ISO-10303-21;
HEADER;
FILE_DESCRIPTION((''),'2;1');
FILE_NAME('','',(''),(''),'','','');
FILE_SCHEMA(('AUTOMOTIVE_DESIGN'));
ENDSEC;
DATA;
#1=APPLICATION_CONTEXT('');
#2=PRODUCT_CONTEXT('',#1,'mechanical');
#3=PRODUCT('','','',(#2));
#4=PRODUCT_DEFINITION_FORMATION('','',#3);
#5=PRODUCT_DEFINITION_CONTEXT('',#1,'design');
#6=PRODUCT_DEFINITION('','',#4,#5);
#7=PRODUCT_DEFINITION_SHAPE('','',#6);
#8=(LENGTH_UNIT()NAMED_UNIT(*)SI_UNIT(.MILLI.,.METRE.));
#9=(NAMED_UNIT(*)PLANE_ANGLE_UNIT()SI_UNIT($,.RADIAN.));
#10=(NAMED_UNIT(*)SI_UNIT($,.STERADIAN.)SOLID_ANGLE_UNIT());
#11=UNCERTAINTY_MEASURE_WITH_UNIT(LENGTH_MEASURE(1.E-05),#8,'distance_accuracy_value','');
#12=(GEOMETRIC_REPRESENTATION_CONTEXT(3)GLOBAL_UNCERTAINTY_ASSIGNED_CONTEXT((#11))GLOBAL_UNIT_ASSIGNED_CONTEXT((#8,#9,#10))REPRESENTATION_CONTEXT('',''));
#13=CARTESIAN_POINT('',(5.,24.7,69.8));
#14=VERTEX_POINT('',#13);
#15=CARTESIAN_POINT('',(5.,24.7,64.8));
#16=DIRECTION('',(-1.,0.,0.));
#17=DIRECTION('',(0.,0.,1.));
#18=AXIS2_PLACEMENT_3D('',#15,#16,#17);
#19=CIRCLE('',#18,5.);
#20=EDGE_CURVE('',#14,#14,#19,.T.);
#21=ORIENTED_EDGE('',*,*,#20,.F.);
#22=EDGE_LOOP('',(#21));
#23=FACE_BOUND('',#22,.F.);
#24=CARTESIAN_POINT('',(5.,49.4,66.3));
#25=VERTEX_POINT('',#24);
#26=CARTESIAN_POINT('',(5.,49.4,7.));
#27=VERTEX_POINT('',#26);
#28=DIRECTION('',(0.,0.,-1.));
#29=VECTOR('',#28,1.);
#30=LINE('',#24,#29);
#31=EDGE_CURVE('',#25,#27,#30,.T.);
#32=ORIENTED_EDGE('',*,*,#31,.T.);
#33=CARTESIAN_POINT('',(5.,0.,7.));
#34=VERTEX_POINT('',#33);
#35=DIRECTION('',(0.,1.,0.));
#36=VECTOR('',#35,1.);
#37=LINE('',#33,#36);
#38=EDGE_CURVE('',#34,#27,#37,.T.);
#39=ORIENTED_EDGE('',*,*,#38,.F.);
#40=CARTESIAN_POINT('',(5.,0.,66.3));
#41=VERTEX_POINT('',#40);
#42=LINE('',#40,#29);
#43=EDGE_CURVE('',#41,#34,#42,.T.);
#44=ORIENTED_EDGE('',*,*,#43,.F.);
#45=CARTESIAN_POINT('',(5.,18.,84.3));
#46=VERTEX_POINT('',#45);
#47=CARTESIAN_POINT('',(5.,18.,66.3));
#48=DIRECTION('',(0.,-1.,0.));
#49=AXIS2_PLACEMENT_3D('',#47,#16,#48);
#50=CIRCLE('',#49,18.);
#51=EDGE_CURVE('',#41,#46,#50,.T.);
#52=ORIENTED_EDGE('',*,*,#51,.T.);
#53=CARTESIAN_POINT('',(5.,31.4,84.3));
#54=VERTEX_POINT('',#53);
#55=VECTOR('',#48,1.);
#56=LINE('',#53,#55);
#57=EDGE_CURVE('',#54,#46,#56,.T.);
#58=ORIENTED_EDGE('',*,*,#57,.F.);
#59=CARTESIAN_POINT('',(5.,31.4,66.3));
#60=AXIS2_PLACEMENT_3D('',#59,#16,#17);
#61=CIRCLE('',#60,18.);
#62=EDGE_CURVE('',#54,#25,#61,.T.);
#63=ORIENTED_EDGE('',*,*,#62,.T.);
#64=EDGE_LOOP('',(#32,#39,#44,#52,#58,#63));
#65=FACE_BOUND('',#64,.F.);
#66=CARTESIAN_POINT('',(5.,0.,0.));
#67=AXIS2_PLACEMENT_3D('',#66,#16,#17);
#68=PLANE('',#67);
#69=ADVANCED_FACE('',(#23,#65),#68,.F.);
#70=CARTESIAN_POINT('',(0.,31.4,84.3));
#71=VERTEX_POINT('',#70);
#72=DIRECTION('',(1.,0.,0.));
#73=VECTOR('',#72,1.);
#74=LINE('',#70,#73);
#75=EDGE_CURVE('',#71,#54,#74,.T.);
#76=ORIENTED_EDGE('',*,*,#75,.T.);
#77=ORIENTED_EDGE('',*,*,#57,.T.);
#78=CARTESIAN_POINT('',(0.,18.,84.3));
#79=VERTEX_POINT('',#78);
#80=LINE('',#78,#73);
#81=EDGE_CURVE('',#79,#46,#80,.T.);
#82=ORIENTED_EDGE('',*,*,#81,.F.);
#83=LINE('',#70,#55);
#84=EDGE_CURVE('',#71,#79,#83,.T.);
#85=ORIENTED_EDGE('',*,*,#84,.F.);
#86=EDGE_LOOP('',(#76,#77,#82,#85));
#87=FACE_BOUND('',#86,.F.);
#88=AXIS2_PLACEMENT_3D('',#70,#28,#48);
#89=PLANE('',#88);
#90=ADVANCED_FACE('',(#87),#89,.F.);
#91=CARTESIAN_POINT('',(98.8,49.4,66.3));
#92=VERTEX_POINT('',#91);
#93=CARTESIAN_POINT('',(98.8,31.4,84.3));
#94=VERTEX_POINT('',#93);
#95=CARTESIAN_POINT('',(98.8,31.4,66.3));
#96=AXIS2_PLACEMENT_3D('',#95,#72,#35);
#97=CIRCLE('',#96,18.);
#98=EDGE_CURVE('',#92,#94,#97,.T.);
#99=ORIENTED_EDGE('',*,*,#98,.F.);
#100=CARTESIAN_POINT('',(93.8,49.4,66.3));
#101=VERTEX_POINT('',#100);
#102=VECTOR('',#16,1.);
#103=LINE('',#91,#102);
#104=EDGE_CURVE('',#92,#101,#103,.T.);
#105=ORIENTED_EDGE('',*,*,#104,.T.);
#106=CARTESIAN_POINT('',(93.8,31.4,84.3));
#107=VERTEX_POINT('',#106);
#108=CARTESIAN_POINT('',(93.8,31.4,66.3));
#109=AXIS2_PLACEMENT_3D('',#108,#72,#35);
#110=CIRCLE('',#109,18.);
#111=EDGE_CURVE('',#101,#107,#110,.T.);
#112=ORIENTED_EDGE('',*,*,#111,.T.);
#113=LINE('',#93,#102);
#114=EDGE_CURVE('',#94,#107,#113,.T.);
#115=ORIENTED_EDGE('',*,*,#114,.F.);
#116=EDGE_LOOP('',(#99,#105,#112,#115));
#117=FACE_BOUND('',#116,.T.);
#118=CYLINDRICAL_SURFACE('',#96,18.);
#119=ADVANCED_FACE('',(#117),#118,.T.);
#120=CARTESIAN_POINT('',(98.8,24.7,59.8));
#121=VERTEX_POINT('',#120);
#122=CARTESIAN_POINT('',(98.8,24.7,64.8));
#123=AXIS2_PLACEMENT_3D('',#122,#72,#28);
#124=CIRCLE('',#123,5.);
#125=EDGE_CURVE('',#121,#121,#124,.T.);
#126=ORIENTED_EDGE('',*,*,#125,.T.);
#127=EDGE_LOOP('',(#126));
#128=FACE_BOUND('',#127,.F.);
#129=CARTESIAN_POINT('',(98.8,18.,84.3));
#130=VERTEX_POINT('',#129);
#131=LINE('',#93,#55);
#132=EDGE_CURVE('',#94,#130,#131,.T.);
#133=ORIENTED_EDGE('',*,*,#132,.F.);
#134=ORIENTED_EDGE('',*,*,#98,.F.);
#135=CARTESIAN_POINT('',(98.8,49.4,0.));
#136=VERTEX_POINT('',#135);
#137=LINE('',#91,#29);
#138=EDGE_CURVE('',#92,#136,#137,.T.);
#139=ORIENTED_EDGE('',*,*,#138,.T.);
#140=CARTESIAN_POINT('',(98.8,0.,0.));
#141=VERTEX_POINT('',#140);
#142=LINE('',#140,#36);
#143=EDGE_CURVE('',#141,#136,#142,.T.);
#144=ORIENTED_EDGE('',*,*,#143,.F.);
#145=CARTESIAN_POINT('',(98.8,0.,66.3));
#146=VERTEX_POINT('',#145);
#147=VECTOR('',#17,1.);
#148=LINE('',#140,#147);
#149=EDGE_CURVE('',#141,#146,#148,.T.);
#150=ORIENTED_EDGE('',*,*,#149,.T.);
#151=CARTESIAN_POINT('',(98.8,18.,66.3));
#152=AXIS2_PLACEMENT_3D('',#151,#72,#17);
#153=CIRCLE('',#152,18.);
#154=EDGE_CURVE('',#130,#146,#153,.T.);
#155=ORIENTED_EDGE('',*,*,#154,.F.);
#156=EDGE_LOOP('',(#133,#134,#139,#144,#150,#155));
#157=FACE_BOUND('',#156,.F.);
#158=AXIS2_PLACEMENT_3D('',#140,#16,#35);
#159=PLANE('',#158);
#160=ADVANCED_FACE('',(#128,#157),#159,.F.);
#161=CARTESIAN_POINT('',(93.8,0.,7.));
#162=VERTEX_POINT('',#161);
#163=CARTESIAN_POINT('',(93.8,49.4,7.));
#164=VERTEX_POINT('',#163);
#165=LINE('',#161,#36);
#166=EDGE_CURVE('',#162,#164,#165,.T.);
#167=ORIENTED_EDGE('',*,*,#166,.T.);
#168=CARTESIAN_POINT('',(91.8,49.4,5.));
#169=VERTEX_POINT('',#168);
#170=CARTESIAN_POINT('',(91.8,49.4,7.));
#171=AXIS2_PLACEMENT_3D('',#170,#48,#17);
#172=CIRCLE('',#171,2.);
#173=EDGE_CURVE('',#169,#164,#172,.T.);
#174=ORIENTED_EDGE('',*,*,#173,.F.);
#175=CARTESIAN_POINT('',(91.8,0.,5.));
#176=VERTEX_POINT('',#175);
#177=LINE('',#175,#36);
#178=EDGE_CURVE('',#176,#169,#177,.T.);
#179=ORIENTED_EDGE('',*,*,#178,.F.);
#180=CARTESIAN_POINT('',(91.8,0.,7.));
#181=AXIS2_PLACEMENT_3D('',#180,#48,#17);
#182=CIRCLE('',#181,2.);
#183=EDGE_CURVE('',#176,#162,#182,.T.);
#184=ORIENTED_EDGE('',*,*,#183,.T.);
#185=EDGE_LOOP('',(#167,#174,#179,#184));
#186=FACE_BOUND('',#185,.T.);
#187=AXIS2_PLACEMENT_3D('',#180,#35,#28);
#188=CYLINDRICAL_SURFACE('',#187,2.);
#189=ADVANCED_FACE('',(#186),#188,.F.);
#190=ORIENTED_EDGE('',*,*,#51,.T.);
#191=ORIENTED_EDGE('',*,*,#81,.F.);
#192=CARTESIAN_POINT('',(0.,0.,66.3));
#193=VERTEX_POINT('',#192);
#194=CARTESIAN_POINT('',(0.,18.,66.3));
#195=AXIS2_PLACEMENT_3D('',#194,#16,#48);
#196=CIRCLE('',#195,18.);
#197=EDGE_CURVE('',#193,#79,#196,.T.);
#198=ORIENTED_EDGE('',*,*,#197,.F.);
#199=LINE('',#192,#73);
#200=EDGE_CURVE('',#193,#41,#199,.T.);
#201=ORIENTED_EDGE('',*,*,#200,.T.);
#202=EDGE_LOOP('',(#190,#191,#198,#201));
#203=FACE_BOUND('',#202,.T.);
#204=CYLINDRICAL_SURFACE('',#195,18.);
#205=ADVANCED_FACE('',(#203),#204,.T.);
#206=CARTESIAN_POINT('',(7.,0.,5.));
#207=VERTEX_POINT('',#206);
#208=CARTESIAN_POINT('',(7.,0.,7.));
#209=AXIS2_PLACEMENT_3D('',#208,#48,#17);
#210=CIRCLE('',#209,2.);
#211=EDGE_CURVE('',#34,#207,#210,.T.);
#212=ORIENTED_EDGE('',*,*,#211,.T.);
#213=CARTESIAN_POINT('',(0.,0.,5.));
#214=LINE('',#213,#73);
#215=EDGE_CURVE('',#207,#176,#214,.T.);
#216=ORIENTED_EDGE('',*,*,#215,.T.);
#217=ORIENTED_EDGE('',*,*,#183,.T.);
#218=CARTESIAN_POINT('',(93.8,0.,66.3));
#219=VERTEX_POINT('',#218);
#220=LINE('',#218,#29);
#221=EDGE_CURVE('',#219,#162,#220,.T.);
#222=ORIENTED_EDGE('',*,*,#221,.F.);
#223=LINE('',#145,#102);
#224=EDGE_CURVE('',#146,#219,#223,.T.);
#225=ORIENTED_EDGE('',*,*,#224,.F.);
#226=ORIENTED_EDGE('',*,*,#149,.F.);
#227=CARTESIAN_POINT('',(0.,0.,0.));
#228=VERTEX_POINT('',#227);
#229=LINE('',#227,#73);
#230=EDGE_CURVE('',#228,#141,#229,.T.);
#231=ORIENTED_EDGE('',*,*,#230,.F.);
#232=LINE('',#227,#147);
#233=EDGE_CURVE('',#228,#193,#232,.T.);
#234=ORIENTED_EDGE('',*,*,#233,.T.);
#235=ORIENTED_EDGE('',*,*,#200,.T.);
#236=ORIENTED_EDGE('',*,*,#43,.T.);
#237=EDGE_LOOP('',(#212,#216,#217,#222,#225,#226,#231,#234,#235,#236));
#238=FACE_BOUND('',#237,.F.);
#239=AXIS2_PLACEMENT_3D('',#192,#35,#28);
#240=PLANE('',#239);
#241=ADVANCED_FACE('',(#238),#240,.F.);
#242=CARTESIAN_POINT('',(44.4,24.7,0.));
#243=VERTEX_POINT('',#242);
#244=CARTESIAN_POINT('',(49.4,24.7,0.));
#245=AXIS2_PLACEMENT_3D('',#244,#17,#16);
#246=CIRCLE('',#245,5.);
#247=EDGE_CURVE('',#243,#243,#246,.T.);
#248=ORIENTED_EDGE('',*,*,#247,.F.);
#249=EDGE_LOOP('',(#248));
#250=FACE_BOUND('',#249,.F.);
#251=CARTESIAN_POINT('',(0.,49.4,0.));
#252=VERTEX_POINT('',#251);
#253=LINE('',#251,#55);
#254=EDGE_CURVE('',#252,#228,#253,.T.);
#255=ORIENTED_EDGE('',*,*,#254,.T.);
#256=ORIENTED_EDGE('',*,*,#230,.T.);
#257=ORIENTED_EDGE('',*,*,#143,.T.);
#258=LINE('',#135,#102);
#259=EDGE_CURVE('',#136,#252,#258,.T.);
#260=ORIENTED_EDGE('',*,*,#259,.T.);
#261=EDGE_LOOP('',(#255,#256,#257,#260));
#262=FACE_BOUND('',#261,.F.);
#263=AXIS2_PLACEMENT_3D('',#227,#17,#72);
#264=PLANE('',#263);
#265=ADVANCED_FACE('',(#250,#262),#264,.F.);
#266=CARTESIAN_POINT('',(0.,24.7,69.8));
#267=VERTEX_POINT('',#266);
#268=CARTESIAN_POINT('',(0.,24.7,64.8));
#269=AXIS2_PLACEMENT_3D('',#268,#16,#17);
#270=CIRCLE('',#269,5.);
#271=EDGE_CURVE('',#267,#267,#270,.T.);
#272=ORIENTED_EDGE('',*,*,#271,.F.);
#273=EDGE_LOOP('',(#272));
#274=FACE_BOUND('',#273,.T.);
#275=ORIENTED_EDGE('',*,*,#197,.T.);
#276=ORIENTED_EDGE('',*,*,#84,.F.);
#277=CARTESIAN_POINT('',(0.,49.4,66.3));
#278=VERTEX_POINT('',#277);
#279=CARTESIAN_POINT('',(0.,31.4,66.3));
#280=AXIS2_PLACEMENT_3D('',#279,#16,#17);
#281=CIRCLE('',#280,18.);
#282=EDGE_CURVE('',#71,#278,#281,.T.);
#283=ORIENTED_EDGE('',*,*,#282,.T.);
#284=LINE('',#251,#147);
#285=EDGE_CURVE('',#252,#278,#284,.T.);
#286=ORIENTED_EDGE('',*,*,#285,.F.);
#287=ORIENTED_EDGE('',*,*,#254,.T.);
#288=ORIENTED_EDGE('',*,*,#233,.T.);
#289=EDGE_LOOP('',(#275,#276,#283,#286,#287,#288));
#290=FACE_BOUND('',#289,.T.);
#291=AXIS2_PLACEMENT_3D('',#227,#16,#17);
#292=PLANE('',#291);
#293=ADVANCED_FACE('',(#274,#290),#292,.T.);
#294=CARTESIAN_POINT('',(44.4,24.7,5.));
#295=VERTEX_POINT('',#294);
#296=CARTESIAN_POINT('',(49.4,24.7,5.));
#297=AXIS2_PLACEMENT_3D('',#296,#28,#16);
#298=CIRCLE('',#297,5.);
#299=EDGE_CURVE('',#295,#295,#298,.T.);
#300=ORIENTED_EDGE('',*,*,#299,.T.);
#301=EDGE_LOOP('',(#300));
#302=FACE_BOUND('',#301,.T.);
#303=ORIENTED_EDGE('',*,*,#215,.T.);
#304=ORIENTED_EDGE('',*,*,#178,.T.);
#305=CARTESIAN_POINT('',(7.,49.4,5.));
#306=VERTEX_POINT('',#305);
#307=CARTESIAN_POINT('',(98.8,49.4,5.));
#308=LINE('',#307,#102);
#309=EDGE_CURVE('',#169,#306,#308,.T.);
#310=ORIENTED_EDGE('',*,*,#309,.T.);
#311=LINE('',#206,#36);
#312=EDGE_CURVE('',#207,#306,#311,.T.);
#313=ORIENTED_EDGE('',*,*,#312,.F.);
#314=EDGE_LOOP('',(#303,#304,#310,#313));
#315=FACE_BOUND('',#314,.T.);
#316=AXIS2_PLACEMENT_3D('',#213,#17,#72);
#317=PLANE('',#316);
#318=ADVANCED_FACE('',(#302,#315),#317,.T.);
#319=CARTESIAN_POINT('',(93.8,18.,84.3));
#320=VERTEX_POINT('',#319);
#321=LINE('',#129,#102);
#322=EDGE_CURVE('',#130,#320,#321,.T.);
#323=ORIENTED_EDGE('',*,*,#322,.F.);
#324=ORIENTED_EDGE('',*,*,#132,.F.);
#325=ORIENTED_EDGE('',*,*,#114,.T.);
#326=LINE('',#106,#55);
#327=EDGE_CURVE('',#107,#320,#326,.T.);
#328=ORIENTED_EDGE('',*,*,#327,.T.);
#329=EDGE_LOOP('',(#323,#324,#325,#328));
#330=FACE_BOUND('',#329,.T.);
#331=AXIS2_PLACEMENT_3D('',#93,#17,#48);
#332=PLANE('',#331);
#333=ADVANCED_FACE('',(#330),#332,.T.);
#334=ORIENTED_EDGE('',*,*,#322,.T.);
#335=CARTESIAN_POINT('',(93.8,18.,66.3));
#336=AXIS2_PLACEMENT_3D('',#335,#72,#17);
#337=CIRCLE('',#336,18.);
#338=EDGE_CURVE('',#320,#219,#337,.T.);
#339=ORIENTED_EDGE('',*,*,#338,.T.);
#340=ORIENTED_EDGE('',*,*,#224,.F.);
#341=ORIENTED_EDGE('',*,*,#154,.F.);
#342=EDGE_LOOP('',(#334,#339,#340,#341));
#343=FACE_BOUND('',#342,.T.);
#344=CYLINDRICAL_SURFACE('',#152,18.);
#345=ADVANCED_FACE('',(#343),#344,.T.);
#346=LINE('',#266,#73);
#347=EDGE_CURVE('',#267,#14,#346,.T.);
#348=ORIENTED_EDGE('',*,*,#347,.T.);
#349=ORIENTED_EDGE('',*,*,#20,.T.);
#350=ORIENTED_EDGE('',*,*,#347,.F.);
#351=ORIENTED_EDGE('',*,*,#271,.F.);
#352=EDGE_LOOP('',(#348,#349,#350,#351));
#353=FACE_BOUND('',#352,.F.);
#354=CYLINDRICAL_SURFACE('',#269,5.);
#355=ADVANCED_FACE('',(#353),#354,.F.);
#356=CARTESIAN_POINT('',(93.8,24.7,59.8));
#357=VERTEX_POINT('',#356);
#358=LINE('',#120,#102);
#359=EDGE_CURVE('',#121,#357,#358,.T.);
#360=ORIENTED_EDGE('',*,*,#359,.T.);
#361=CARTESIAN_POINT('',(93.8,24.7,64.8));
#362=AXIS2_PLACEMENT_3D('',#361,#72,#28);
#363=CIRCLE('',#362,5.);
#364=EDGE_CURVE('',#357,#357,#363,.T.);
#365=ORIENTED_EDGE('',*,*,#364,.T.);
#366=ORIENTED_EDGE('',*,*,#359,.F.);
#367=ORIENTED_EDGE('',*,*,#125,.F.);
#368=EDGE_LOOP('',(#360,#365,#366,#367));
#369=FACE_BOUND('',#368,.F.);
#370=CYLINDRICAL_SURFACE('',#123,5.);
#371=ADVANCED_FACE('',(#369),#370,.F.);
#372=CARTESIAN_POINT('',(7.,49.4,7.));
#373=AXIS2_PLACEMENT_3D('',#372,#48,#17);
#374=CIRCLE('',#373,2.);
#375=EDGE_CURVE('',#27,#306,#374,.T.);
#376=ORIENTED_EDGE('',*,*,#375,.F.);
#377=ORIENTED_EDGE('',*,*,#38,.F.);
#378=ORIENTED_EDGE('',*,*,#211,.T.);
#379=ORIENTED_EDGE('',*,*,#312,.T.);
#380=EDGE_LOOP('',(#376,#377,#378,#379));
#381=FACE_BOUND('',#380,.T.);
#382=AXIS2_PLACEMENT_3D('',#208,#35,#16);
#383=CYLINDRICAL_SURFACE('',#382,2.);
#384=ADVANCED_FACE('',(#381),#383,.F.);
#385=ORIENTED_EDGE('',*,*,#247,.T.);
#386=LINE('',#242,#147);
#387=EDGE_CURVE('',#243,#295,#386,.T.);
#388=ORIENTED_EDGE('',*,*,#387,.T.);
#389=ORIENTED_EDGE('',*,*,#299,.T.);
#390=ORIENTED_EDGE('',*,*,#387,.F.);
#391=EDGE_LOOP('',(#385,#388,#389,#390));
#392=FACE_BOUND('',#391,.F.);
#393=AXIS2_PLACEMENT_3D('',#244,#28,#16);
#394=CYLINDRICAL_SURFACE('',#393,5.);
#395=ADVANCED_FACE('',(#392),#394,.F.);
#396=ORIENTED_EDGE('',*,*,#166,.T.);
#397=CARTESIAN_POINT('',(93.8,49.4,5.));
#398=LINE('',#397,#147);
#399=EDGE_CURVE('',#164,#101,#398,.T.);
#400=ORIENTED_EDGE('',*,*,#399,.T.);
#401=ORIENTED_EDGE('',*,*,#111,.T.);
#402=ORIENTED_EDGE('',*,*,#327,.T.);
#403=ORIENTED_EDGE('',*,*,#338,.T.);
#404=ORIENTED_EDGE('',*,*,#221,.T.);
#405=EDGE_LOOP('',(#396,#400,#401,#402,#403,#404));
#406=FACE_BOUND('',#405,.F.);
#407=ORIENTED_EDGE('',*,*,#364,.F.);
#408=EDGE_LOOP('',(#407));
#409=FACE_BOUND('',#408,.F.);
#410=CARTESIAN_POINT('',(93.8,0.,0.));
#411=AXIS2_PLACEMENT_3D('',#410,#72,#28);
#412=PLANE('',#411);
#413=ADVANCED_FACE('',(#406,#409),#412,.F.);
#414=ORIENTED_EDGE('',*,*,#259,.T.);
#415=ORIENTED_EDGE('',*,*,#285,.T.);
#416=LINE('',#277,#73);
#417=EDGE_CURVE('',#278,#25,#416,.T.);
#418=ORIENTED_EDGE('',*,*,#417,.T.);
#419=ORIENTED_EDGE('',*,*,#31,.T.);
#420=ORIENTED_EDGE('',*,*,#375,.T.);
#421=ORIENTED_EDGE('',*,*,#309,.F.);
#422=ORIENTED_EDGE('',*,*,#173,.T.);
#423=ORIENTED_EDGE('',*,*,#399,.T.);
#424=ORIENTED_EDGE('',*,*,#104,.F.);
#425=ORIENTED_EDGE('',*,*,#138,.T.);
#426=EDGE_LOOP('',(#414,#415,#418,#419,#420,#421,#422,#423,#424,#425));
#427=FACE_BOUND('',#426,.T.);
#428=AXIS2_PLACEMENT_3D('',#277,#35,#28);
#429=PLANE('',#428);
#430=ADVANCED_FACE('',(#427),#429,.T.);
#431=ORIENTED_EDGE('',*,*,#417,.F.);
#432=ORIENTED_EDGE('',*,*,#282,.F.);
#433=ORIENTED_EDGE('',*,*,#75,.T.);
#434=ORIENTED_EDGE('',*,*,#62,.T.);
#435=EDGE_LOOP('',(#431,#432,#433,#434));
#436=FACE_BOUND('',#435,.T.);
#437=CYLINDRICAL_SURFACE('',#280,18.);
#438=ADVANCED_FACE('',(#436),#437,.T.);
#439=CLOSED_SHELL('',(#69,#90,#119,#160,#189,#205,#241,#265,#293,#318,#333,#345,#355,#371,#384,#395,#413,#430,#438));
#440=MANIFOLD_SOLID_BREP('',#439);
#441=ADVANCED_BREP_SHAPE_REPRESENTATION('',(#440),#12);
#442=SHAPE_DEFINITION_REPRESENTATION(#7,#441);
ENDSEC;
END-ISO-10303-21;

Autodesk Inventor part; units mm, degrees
ref_plane "YZ Plane" through (0, 0, 0) normal (1, 0, 0) x (0, 1, 0)
ref_plane "XZ Plane" through (0, 0, 0) normal (0, 1, 0) x (-1, 0, 0)
ref_plane "XY Plane" through (0, 0, 0) normal (0, 0, 1) x (1, 0, 0)
sketch "Esquisse1" plane through (0, 0, 0) normal (0, 0, 1) x (1, 0, 0)
  line L0 (0, 0) -> (98.8, 0)
  line L1 (98.8, 0) -> (98.8, 49.4)
  line L2 (98.8, 49.4) -> (0, 49.4)
  line L3 (0, 49.4) -> (0, 0)
  dimension "d0" = 98.8
  dimension "d1" = 49.4
extrude "Extrusion1" add sketch "Esquisse1" along normal blind 5
sketch "Esquisse2" plane through (98.8, 0, 0) normal (1, 0, 0) x (0, 0, -1)
  line L0 (0, 49.4) -> (-5, 49.4) projected
  line L1 (-5, 49.4) -> (-66.3, 49.4)
  line L2 (-84.3, 31.4) -> (-84.3, 18)
  line L3 (-66.3, 0) -> (-5, 0)
  line L4 (-5, 0) -> (-5, 49.4)
  arc A0 (-66.3, 49.4) -> (-84.3, 31.4) centre (-66.3, 31.4) ccw
  arc A1 (-84.3, 18) -> (-66.3, 0) centre (-66.3, 18) ccw
  point P0 (0, 0)
  point P1 (-84.3, 49.4)
  dimension "d4" = 79.3
  dimension "d5" = 49.4
  dimension "d6" = 18
  dimension "d7" = 18
extrude "Extrusion2" add sketch "Esquisse2" against normal blind 5
sketch "Esquisse3" plane through (0, 0, 0) normal (-1, 0, 0) x (0, 0, 1)
  line L0 (66.3, 49.4) -> (5, 49.4) projected
  line L1 (5, 49.4) -> (66.3, 49.4)
  line L2 (84.3, 31.4) -> (84.3, 18)
  line L3 (66.3, 0) -> (5, 0)
  line L4 (5, 0) -> (5, 49.4)
  arc A0 (66.3, 0) -> (84.3, 18) centre (66.3, 18) ccw
  arc A1 (84.3, 31.4) -> (66.3, 49.4) centre (66.3, 31.4) ccw
  point P0 (0, 0)
  point P1 (84.3, 0)
  dimension "d13" = 79.3
  dimension "d14" = 49.4
  dimension "d15" = 18
extrude "Extrusion3" add sketch "Esquisse3" against normal blind 5
sketch "Esquisse4" plane through (0, 0, 0) normal (-1, 0, 0) x (0, 0, 1)
  circle A0 centre (64.8, 24.7) radius 5
  line L0 (84.3, 31.4) -> (84.3, 18) projected
  line L1 (0, 0) -> (66.3, 0) projected
  dimension "d18" = 10
  dimension "d19" = 19.5
  dimension "d20" = 24.7
extrude "Extrusion4" cut sketch "Esquisse4" against normal blind 5
sketch "Esquisse5" plane through (98.8, 0, 0) normal (1, 0, 0) x (0, 0, -1)
  circle A0 centre (-64.8, 24.7) radius 5
  line L0 (0, 49.4) -> (-66.3, 49.4) projected
  line L1 (-84.3, 31.4) -> (-84.3, 18) projected
  point P0 (0, 0)
  dimension "d23" = 10
  dimension "d24" = 24.7
  dimension "d25" = 19.5
extrude "Extrusion5" cut sketch "Esquisse5" against normal blind 5
sketch "Esquisse6" plane through (0, 0, 0) normal (0, 0, -1) x (-1, 0, 0)
  line L0 (-98.8, 49.4) -> (0, 49.4) projected
  line L1 (0, 0) -> (-98.8, 49.4)
  line L2 (-98.8, 0) -> (-98.8, 49.4) projected
  line L3 (-98.8, 0) -> (0, 49.4)
  circle A0 centre (-49.4, 24.7) radius 5
  dimension "d28" = 10
extrude "Extrusion6" cut sketch "Esquisse6" against normal blind 5 contours A0 L3 L1 | L1 L3 A0 | A0 L1 L3 | L1 A0 L3
fillet "Congé1" radius 2 2 edges at (93.8, 24.7, 5) (5, 24.7, 5)
properties part number "ShoulderPart2" material "Plastique ABS"
